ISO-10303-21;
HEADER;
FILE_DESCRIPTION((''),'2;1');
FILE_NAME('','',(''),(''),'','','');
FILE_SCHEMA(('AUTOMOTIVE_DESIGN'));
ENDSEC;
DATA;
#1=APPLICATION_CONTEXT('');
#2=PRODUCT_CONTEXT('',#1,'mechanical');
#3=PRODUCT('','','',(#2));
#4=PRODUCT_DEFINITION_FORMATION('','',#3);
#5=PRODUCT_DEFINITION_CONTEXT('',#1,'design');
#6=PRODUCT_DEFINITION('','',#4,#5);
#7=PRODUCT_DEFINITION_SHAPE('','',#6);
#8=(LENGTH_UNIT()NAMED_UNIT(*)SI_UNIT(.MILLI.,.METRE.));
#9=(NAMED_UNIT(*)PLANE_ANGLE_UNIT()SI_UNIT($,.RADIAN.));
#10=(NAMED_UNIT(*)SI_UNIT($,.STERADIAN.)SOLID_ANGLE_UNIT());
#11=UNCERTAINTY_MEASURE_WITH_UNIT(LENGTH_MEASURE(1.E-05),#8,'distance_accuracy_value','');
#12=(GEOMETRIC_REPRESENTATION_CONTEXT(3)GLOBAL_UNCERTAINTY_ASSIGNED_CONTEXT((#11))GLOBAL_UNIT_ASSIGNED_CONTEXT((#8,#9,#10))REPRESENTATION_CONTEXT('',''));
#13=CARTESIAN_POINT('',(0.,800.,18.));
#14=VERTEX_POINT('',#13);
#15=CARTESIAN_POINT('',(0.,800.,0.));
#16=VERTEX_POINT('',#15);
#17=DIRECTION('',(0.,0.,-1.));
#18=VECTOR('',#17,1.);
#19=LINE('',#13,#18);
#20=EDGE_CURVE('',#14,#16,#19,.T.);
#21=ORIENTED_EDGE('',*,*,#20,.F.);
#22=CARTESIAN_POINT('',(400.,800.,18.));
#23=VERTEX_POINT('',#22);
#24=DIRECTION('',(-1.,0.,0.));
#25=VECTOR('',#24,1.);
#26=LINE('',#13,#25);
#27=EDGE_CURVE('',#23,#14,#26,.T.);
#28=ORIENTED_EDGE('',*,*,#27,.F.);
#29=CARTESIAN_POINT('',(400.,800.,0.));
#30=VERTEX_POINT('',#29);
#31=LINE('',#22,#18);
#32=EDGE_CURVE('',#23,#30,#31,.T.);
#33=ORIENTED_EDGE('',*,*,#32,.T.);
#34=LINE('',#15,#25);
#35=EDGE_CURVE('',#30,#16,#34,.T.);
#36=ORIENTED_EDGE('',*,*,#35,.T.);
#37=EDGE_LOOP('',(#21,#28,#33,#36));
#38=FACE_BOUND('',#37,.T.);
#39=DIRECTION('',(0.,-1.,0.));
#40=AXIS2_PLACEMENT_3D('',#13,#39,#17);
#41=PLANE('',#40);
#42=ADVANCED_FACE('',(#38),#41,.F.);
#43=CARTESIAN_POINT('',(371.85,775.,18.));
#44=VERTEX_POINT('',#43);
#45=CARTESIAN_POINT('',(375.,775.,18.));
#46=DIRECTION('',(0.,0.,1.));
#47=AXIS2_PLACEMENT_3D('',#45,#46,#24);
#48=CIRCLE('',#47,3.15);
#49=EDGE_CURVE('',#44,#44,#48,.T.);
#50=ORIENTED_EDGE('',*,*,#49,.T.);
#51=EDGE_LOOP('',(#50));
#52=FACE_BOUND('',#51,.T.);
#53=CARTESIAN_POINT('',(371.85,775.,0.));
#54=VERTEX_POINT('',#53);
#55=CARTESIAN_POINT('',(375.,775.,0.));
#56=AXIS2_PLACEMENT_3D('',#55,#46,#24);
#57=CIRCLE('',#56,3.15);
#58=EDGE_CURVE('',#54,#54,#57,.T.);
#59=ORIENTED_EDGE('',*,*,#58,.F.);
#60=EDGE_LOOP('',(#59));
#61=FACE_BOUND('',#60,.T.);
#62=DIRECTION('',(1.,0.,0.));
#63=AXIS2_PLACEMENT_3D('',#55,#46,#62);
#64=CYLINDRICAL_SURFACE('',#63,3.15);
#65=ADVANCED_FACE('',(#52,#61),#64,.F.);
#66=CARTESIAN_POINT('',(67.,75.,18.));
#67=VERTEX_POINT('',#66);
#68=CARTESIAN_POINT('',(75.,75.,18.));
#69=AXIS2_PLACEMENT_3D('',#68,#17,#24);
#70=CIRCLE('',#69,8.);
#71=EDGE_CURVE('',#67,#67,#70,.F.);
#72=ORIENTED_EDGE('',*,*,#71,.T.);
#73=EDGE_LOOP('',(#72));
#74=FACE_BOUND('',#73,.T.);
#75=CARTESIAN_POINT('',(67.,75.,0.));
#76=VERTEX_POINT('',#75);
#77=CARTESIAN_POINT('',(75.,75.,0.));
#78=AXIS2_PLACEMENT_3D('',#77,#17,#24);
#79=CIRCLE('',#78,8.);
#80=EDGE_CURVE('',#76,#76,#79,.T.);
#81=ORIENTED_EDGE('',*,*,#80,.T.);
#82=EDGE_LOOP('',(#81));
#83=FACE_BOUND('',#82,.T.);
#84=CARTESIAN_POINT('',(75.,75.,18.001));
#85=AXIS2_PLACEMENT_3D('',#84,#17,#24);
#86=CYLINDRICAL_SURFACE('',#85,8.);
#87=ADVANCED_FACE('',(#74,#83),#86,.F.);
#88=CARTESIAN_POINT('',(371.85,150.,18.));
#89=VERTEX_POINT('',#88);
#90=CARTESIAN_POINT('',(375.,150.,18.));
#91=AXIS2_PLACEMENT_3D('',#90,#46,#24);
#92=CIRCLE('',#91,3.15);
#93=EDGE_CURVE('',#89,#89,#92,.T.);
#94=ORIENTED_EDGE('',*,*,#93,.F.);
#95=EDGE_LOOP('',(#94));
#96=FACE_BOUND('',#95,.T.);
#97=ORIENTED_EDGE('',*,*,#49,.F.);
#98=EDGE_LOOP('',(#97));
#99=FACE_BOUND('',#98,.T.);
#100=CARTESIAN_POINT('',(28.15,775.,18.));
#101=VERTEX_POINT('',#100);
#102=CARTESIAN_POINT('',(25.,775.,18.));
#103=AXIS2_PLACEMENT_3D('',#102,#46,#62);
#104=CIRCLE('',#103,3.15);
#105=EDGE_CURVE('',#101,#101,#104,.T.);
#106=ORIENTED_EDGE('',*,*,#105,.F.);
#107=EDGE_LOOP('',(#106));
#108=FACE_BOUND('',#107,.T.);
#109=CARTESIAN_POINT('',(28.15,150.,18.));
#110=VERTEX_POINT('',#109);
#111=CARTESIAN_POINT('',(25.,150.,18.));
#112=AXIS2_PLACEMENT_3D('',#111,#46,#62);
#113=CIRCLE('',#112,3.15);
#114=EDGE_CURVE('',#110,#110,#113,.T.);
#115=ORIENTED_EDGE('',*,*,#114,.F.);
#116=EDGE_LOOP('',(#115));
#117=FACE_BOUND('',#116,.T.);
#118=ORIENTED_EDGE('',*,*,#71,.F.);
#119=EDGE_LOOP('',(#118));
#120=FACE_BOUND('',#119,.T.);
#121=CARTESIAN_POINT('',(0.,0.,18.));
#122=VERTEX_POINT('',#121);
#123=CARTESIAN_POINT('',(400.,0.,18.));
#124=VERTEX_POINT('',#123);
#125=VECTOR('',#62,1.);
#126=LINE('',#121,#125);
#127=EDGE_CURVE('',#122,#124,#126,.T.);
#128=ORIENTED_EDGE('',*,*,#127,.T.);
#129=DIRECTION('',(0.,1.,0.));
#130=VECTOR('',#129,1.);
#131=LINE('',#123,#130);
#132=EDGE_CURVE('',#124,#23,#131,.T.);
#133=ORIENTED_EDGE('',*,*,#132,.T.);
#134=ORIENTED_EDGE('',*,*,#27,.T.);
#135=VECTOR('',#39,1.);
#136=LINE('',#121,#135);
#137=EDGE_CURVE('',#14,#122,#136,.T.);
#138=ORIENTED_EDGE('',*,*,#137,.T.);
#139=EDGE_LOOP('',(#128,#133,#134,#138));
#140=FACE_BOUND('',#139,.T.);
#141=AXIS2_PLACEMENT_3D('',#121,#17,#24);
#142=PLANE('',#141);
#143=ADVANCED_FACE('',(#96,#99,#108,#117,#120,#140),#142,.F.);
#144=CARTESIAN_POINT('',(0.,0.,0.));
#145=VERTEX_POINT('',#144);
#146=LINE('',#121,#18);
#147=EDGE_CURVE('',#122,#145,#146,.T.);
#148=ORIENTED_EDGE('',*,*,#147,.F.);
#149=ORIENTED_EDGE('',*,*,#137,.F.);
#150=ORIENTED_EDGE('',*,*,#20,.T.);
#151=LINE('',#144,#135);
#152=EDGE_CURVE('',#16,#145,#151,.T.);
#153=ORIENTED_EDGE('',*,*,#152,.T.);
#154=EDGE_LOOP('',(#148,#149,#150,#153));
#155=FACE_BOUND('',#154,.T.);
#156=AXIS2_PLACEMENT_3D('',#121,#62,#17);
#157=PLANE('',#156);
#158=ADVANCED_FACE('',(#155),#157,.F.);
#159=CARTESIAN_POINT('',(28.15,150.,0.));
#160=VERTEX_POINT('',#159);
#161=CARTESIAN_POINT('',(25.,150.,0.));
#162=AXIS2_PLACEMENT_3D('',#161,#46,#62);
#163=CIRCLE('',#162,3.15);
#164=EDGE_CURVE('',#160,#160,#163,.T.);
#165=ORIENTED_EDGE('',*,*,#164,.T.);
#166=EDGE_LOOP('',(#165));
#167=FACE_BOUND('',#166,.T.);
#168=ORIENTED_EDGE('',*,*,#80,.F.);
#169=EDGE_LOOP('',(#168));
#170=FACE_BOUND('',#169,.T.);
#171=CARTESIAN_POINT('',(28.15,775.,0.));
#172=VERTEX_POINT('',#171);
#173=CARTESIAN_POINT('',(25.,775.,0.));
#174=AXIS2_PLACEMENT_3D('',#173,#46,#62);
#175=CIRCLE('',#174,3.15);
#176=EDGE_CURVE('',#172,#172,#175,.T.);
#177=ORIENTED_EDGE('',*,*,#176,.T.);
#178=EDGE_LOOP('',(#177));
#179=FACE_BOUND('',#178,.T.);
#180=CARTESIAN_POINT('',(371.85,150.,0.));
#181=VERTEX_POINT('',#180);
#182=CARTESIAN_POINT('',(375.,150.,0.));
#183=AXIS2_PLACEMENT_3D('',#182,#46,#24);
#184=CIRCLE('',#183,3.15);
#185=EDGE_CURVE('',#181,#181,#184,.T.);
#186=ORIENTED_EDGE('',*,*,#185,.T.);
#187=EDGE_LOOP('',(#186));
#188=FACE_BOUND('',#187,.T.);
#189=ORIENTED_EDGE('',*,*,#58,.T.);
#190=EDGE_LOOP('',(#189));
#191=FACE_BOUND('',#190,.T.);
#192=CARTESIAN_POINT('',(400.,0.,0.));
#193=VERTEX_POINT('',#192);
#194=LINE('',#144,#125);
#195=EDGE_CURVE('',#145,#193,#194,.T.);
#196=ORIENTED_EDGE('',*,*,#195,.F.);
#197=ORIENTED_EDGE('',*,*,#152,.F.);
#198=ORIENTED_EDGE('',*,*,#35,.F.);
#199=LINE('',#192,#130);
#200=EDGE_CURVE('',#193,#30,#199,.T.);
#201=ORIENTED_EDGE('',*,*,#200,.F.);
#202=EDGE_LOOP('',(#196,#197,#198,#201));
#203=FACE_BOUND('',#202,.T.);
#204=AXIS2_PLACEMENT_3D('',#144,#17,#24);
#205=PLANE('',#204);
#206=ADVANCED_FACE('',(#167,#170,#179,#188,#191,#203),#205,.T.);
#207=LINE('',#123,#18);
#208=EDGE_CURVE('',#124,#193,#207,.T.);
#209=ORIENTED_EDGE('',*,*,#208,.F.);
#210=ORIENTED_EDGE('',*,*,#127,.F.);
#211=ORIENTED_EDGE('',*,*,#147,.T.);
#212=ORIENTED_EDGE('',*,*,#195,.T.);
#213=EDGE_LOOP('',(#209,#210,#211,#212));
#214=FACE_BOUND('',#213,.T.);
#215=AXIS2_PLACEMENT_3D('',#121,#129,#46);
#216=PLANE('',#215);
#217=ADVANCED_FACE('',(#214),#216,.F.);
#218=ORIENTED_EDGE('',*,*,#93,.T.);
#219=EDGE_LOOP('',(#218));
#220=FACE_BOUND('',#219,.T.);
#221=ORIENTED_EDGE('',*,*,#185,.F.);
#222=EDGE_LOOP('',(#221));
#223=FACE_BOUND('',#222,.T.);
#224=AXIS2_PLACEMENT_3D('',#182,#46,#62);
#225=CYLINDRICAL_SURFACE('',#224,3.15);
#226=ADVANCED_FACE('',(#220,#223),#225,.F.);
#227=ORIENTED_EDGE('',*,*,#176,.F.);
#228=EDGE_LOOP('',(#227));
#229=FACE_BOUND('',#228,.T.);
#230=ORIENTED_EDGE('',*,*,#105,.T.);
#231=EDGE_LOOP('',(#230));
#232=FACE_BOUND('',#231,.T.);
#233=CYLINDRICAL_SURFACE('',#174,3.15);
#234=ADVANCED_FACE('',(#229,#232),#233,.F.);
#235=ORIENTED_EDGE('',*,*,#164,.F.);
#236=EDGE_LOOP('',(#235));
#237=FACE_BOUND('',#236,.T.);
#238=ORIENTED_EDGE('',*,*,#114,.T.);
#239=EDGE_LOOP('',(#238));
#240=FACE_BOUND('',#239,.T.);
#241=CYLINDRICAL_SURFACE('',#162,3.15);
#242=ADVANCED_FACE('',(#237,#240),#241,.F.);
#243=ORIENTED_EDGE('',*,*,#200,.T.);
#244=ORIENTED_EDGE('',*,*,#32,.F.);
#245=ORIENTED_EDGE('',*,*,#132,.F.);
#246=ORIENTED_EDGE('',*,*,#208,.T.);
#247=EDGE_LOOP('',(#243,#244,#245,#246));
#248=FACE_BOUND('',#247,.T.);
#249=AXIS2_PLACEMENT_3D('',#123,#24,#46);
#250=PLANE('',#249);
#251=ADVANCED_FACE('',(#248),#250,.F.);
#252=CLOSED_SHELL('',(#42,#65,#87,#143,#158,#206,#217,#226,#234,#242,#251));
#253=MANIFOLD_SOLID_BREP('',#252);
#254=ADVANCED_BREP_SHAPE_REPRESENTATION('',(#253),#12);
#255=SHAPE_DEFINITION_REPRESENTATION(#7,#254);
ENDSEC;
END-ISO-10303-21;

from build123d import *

# Parameters (mm, degrees)
SKETCH1_W            = 400
SKETCH1_H            = 800
BASE_DEPTH           = 18
SKETCH2_R            = 3.15
MOUNTING_HOLES_DEPTH = 895.608294171
TAP_HOLE_REACH       = 896.608
SKETCH4_R            = 8


with BuildPart() as part:
    # Sketch1 → Base (new body)
    with BuildSketch(Plane.XY):
        with Locations((200, 400)):
            Rectangle(SKETCH1_W, SKETCH1_H)
    extrude(amount=BASE_DEPTH)

    # Sketch2 → Mounting holes (cut, through all)
    with BuildSketch(Plane.XY.offset(18)):
        with Locations((25, 775)):
            Circle(SKETCH2_R)
        with Locations((375, 775)):
            Circle(SKETCH2_R)
        with Locations((25, 150)):
            Circle(SKETCH2_R)
        with Locations((375, 150)):
            Circle(SKETCH2_R)
    extrude(amount=-MOUNTING_HOLES_DEPTH, mode=Mode.SUBTRACT)

    # Sketch4 → Tap hole (cut, up to next)
    with BuildSketch(Plane(origin=(0, 0, 0), x_dir=(-1, 0, 0), z_dir=(0, 0, -1)), mode=Mode.PRIVATE) as tap_hole_sk1:
        with Locations((-75, 75)):
            Circle(SKETCH4_R)
    tap_hole_tool1 = extrude(tap_hole_sk1.sketch, amount=-TAP_HOLE_REACH, mode=Mode.PRIVATE) & part.part
    add(tap_hole_tool1.solids().sort_by_distance((75, 75, 0))[0], mode=Mode.SUBTRACT)


solid = part.part
